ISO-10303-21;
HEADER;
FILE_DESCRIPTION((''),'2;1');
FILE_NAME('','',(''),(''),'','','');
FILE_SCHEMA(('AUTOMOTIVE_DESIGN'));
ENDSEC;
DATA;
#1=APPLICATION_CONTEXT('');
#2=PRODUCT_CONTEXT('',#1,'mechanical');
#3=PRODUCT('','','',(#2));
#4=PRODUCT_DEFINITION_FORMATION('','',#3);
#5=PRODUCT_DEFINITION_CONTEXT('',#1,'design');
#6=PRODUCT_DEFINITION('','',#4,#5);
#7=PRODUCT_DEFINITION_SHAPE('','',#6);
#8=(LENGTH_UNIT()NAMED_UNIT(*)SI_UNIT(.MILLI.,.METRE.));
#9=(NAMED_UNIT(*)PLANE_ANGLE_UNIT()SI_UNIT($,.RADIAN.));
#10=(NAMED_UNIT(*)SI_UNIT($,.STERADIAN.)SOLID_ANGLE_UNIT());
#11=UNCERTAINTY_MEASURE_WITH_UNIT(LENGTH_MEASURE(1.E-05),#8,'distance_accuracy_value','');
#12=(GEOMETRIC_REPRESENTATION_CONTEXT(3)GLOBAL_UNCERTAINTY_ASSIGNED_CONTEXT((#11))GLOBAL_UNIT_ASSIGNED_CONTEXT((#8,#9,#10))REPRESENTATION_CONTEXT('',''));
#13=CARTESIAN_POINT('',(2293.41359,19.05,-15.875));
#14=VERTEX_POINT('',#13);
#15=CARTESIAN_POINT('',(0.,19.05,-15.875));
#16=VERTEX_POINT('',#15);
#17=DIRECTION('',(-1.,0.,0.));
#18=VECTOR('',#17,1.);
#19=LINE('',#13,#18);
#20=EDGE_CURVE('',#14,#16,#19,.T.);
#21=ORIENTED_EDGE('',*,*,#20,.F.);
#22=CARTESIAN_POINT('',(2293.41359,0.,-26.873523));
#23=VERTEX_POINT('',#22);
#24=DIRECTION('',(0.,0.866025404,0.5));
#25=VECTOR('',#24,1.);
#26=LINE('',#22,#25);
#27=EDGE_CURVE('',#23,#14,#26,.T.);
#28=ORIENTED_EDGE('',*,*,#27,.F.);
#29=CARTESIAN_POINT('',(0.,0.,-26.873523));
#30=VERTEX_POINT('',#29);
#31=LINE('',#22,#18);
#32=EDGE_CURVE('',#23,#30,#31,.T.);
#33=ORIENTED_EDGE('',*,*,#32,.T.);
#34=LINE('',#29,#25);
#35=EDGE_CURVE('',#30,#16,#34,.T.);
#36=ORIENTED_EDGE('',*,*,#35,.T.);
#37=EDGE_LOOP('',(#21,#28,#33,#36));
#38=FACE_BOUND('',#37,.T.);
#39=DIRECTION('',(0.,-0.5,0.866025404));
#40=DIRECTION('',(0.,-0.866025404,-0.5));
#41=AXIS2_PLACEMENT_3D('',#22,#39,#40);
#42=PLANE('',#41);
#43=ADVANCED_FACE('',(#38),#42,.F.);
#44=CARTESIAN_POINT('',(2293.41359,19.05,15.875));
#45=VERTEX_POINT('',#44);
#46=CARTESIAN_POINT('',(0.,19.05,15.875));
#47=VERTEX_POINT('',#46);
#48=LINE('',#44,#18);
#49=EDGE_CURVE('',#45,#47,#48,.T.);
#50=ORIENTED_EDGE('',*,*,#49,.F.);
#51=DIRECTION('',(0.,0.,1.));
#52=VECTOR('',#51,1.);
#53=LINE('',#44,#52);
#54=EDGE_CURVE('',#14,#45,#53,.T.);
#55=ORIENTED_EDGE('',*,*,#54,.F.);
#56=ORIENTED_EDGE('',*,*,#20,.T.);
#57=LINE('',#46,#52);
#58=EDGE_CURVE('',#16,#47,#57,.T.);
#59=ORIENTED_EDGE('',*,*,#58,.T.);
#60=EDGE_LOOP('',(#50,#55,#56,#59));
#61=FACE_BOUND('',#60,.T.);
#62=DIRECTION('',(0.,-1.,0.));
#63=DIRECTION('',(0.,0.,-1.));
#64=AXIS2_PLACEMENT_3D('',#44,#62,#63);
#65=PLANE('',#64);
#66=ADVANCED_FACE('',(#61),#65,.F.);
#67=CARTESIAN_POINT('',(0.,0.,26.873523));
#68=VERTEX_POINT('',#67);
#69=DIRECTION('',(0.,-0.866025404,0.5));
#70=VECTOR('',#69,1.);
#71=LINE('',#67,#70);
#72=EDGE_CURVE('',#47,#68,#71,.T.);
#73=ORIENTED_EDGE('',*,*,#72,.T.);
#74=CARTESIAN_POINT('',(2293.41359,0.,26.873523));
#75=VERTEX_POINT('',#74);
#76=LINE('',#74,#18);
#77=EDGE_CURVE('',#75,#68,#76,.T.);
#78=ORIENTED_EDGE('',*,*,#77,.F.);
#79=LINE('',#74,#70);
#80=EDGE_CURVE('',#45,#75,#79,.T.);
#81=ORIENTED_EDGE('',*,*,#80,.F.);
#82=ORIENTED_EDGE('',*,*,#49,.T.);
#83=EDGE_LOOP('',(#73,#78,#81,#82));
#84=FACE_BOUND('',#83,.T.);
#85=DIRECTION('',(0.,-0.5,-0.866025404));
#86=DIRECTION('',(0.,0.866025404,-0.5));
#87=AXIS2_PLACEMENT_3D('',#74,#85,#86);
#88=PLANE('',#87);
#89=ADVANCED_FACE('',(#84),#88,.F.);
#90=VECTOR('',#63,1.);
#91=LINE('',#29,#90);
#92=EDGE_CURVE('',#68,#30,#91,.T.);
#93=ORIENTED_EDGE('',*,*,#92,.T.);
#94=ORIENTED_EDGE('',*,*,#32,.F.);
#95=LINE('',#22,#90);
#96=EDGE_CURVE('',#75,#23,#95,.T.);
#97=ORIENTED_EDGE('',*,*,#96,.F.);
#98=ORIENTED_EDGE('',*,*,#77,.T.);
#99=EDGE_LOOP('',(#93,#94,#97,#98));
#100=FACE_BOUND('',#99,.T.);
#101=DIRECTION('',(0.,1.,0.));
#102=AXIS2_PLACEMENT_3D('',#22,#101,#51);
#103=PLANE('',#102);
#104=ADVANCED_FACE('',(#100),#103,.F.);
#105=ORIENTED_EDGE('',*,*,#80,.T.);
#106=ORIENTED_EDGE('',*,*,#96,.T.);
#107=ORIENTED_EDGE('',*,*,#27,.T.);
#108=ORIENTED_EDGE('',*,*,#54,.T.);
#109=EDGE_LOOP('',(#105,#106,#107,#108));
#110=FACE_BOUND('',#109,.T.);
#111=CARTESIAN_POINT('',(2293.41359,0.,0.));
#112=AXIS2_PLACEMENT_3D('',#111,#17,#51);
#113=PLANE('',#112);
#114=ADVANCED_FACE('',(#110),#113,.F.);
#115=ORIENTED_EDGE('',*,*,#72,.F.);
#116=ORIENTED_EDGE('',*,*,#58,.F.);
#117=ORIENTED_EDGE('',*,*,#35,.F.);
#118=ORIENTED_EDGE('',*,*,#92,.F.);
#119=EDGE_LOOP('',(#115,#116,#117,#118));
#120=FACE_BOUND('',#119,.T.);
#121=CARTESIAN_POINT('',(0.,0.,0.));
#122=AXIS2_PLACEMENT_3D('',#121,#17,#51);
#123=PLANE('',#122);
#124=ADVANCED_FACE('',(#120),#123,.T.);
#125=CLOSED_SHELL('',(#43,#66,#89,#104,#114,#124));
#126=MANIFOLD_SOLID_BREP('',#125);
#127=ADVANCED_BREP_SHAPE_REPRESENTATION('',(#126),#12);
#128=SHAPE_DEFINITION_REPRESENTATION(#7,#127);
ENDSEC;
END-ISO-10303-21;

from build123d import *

# Parameters (mm, degrees)
CUT_TO_LENGTH_DEPTH = 2293.413589612


with BuildPart() as part:
    # Sketch1 → Cut To Length (new body)
    with BuildSketch(Plane(origin=(0, 0, 0), x_dir=(0, 0, -1), z_dir=(1, 0, 0))):
        Polygon((26.873522628, 0), (-26.873522628, 0), (-15.875, 19.05), (15.875, 19.05), align=None)
    extrude(amount=CUT_TO_LENGTH_DEPTH)


solid = part.part
